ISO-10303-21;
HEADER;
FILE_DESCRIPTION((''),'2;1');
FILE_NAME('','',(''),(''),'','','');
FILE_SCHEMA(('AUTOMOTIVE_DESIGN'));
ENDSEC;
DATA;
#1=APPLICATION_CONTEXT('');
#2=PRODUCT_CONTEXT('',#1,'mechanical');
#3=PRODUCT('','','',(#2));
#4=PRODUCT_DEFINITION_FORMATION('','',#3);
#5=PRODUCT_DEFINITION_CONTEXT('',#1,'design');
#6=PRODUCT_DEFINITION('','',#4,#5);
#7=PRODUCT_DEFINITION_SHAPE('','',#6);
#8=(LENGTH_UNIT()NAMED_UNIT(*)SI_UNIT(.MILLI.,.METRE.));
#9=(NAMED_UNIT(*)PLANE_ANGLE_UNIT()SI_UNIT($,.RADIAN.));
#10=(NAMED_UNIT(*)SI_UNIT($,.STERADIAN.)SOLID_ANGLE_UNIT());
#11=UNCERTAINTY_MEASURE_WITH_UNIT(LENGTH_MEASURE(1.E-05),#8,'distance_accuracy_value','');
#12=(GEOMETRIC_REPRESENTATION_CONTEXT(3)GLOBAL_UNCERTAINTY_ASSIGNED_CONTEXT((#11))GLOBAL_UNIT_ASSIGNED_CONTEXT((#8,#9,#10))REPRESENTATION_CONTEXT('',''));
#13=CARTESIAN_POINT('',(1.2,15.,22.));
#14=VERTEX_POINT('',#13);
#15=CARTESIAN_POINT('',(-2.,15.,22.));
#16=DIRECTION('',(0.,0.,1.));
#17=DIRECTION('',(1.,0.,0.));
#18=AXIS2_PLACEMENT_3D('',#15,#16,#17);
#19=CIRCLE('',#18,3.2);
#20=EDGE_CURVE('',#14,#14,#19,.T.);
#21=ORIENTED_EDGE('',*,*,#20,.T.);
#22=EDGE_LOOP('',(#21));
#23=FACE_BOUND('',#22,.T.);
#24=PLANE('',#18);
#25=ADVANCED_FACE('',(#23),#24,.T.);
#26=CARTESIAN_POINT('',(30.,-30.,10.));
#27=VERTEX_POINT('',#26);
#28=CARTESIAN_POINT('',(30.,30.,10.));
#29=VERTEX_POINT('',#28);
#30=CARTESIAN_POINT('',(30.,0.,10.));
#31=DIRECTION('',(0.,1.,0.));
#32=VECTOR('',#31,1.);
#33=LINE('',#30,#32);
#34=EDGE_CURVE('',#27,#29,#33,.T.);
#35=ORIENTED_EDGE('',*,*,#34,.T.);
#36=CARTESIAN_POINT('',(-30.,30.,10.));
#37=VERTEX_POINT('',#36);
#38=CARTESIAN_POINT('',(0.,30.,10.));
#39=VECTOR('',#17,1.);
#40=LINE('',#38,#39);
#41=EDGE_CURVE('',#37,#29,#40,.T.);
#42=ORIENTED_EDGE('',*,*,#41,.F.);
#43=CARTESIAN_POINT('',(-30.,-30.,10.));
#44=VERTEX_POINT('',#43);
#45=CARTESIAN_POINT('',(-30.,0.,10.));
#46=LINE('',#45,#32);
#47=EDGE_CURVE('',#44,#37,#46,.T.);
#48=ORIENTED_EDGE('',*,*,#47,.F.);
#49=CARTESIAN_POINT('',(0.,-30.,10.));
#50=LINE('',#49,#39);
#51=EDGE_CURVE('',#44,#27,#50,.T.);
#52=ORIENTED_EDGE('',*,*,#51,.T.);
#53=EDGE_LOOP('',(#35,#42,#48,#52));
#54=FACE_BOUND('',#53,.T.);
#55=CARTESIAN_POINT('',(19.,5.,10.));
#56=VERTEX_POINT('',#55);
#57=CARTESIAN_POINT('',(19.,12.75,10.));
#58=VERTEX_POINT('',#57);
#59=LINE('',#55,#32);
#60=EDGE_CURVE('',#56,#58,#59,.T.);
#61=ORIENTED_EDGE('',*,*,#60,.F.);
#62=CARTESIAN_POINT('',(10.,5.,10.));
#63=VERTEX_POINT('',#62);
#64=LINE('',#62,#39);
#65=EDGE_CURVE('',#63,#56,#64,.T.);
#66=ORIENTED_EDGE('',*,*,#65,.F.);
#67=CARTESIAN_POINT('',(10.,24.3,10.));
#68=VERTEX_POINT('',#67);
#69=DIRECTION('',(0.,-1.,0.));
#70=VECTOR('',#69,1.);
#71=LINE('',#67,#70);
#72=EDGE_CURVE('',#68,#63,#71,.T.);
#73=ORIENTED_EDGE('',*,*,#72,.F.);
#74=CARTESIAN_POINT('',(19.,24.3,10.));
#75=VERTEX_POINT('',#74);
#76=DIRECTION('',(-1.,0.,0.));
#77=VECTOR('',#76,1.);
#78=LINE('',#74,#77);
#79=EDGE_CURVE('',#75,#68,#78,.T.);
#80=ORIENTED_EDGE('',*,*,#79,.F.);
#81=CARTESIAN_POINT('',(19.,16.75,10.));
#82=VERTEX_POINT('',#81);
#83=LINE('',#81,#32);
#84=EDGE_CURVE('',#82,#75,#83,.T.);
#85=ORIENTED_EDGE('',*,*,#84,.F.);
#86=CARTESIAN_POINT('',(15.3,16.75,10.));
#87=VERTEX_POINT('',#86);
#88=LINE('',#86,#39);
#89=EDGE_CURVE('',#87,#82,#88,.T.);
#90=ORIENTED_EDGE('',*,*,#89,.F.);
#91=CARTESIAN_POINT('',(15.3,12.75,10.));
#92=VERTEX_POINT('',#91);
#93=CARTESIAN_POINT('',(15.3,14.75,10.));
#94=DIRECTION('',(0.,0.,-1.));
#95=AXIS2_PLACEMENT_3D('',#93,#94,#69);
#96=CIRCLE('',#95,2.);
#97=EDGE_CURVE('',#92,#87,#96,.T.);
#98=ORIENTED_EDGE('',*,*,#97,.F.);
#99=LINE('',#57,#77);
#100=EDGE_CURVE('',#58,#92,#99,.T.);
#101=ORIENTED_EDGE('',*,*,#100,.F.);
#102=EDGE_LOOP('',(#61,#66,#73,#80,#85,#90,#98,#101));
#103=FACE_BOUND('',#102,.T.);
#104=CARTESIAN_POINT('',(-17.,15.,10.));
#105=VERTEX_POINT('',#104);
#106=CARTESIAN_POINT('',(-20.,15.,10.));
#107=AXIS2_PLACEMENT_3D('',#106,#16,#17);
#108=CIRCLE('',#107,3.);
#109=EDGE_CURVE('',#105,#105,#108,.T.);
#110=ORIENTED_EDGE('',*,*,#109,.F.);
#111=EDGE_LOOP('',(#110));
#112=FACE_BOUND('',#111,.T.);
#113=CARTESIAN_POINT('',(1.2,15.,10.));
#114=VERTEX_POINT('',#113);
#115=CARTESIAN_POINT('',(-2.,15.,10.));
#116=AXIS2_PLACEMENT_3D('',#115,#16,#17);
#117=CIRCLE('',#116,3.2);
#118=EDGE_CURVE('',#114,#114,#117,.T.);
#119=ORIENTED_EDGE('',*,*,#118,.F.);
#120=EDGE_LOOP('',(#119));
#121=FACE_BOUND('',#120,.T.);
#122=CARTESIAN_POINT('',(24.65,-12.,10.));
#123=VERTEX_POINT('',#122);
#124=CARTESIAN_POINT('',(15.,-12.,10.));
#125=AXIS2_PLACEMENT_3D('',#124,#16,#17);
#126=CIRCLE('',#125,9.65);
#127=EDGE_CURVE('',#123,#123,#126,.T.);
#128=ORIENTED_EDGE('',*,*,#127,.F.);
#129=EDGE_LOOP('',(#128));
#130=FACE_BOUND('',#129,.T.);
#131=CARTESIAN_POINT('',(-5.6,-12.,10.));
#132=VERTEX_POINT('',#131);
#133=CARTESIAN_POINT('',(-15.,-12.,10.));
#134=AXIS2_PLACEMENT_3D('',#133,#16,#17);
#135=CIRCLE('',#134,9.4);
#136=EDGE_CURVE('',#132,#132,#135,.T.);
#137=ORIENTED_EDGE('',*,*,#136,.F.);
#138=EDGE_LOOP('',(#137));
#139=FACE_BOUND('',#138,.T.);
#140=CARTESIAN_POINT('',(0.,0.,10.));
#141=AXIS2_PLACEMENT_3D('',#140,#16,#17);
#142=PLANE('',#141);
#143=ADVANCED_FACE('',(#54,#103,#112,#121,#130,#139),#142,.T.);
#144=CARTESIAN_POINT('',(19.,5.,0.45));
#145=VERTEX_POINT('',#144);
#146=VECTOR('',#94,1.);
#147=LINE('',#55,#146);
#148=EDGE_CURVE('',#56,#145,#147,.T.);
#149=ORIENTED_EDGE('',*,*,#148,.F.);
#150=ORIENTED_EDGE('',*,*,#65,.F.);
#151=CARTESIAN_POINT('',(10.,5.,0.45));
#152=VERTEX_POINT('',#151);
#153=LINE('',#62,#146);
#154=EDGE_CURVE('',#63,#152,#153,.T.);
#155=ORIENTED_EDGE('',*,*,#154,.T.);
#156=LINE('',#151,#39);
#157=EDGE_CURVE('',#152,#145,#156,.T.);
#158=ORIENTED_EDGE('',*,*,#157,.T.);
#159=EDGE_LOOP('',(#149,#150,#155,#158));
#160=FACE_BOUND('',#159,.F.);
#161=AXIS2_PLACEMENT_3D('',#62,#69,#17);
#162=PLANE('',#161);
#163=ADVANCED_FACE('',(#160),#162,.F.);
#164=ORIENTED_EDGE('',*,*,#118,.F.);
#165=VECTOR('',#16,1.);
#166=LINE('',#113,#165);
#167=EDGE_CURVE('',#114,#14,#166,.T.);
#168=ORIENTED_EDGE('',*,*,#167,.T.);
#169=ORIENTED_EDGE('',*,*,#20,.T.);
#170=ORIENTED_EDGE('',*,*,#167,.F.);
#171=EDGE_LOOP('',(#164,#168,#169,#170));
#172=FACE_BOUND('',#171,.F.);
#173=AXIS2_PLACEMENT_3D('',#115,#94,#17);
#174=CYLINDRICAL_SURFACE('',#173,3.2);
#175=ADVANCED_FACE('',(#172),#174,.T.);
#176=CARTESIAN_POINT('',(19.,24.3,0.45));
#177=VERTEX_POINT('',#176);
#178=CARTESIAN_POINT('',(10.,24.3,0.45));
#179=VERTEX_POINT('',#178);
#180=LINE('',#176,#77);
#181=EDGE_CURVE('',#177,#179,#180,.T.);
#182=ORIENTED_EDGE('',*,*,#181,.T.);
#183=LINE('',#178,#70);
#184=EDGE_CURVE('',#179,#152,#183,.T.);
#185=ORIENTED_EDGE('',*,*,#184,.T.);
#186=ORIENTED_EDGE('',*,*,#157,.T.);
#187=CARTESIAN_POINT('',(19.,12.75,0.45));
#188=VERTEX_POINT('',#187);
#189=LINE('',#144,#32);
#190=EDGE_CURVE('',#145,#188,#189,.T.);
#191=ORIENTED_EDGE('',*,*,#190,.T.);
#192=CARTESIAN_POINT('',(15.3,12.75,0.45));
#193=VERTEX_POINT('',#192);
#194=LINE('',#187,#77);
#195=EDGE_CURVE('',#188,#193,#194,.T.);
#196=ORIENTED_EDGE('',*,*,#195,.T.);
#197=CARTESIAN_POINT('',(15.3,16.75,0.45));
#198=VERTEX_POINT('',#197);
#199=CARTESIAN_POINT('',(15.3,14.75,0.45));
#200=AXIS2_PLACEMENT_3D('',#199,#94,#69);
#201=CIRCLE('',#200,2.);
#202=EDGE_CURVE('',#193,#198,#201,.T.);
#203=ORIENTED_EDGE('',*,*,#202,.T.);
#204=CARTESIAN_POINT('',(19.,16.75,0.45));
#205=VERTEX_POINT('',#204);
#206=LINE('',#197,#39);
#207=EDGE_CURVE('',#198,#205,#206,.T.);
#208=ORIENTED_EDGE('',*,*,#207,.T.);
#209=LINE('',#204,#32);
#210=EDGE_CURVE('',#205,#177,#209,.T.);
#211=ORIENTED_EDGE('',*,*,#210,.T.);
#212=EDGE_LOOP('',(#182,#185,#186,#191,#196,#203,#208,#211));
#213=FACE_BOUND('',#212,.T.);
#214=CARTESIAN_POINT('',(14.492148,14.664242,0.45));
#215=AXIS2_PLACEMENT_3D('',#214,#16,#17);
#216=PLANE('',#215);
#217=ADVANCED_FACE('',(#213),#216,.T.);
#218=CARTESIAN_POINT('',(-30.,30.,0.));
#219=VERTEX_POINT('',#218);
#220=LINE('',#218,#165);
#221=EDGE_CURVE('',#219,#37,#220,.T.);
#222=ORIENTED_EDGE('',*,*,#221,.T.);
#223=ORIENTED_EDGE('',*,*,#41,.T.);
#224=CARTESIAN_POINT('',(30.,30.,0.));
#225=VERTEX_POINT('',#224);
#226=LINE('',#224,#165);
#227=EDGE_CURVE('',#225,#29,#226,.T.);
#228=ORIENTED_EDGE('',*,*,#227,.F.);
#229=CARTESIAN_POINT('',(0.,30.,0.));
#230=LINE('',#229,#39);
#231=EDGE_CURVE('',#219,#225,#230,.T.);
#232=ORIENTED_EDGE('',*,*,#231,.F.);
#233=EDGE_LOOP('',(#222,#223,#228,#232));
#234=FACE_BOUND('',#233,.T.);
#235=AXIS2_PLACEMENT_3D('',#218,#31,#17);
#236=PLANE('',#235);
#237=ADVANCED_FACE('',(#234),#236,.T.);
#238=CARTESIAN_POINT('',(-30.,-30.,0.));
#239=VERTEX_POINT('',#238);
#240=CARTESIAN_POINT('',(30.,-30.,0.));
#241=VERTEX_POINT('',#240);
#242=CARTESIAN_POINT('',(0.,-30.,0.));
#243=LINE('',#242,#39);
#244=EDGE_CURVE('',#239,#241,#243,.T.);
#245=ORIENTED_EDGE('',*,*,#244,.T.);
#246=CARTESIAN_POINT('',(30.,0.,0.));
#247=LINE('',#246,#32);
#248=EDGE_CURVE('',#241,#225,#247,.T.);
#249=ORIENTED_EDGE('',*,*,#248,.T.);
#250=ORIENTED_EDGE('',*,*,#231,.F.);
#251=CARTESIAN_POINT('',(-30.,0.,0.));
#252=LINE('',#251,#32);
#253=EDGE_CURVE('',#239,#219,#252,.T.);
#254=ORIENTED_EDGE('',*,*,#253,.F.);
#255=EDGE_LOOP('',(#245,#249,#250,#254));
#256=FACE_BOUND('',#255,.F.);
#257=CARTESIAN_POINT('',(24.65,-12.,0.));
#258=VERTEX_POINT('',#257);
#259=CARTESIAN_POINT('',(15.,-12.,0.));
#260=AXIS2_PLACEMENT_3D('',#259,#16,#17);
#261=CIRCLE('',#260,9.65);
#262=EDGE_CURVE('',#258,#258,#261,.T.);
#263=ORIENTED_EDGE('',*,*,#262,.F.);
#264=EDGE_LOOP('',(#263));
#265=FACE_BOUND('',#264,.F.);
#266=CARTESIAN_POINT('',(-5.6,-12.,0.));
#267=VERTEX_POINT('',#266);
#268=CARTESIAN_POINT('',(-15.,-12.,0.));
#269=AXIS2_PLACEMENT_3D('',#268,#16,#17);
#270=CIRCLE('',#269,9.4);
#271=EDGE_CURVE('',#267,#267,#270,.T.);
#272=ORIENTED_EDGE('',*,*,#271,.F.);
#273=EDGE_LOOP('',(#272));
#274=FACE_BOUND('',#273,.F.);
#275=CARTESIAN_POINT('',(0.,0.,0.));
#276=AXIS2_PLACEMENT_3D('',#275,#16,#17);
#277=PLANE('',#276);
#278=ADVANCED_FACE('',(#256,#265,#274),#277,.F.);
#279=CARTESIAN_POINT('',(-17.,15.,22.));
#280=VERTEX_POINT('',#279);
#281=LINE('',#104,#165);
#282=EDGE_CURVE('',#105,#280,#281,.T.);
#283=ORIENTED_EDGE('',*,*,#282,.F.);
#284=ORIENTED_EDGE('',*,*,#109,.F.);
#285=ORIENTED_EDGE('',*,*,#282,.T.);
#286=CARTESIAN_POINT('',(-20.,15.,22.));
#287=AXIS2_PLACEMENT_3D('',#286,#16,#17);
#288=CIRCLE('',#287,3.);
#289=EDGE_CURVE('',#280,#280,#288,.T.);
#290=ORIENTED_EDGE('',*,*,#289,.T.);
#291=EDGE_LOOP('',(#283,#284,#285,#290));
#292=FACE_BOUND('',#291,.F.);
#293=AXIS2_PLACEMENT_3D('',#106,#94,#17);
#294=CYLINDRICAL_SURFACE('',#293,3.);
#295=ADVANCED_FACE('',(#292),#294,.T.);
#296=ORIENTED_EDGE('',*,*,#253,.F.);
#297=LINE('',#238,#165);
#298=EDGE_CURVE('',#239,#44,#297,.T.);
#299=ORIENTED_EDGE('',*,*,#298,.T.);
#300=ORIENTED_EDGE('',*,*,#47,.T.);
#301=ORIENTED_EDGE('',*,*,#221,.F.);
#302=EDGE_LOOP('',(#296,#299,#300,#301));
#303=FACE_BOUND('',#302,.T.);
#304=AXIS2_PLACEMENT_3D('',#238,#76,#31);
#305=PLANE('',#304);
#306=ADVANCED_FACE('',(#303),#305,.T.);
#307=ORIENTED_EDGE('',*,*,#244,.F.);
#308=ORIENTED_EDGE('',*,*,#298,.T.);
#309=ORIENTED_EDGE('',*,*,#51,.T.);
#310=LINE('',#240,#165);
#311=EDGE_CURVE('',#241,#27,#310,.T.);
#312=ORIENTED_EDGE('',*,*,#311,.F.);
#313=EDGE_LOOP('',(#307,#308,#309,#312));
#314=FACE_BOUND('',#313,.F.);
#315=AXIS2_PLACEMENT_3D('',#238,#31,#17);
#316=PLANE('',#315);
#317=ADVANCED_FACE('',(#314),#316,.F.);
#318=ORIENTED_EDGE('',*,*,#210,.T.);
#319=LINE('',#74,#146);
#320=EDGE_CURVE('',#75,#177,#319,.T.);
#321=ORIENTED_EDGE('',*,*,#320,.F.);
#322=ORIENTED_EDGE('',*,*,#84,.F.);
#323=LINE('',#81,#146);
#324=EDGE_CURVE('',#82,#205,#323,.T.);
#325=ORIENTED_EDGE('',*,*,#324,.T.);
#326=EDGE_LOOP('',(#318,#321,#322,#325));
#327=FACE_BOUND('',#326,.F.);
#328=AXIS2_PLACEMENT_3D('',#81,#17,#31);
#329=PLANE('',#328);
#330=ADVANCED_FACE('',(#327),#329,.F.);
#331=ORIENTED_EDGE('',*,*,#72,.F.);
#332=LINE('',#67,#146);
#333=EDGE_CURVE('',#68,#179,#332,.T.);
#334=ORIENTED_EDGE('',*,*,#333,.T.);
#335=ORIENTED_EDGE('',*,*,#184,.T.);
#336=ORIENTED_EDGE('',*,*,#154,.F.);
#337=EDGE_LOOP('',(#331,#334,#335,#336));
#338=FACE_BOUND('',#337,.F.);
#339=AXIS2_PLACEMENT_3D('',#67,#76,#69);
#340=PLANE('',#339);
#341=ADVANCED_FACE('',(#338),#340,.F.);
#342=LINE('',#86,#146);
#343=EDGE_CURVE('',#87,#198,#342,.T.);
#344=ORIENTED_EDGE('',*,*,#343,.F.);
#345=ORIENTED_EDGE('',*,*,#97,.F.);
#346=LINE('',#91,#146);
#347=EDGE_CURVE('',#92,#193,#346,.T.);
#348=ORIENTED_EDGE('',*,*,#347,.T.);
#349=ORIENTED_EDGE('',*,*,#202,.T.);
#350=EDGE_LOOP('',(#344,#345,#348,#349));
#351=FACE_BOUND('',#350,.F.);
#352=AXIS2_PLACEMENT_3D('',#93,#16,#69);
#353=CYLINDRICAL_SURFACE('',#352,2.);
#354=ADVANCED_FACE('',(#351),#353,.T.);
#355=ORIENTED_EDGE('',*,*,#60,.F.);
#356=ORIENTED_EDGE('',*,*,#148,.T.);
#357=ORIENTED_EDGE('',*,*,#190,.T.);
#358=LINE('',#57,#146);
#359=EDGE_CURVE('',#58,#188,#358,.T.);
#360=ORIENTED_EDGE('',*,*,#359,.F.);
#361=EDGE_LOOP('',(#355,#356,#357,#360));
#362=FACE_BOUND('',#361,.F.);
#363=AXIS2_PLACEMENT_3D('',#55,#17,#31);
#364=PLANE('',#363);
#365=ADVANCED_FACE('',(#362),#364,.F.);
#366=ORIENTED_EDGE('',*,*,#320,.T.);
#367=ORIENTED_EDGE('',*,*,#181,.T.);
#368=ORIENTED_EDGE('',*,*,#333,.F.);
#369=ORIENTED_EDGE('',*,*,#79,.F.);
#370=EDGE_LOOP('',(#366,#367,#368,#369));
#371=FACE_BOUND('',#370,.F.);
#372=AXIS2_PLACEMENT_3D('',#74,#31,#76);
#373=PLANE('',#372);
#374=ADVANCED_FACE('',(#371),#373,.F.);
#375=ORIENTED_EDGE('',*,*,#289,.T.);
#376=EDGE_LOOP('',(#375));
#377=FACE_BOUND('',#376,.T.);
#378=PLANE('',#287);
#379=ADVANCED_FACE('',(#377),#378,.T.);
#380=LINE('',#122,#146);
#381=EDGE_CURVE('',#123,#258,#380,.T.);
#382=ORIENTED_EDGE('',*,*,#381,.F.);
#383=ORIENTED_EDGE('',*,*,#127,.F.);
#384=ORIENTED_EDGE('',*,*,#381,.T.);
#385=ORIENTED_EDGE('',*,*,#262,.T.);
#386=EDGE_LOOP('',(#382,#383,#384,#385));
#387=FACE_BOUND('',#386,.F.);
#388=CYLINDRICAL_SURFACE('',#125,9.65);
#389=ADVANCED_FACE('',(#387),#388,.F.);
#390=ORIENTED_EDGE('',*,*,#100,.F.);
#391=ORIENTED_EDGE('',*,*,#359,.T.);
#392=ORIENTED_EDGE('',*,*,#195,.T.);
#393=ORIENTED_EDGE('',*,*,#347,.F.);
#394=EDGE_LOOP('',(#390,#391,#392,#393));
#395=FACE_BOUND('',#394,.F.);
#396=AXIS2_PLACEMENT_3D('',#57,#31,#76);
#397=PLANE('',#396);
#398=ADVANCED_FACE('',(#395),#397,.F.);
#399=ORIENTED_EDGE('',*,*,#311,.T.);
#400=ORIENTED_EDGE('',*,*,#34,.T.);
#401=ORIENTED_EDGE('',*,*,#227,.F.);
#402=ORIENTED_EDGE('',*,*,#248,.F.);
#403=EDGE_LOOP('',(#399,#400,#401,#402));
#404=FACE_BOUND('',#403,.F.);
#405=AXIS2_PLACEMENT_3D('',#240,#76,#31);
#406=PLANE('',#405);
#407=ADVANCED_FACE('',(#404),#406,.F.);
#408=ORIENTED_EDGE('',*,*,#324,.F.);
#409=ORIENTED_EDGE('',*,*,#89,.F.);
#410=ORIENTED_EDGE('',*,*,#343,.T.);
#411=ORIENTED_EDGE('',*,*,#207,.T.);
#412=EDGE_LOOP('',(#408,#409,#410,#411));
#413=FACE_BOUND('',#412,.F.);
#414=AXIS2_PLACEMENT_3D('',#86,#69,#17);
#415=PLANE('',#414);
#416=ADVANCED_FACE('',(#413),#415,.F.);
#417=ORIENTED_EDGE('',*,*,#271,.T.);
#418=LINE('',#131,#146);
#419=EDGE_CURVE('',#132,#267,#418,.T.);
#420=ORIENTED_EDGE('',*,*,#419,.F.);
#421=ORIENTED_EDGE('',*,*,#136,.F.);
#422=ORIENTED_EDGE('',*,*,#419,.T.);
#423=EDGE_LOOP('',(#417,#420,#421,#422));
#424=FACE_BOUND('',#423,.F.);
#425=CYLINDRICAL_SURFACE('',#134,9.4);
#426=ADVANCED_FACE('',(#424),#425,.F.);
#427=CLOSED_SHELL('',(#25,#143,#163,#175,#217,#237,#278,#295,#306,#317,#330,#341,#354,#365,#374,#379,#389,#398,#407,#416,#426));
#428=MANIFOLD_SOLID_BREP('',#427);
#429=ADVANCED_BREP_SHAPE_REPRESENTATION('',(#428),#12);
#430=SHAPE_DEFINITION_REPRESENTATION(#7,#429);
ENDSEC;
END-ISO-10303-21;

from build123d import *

# Parameters (mm, degrees)
F0_W     = 60
F0_H     = 60
F1_DEPTH = 10
F2_R     = 3
F2_R_2   = 3.2
F3_DEPTH = 12
F4_R     = 9.4
F4_R_2   = 9.65
F5_DEPTH = 10
F7_DEPTH = 9.55


with BuildPart() as f1:
    # F0 (on Top) → F1 (new body)
    with BuildSketch(Plane.XY):
        Rectangle(F0_W, F0_H)
    extrude(amount=F1_DEPTH)

    # F2 (on face) → F3 (join)
    with BuildSketch(Plane.XY.offset(10)):
        with Locations((-20, 15)):
            Circle(F2_R)
        with Locations((-2, 15)):
            Circle(F2_R_2)
    extrude(amount=F3_DEPTH)

    # F4 (on face) → F5 (cut, through all)
    with BuildSketch(Plane.XY.offset(10)):
        with Locations((-15, -12)):
            Circle(F4_R)
        with Locations((15, -12)):
            Circle(F4_R_2)
    extrude(amount=-F5_DEPTH, mode=Mode.SUBTRACT)

    # F6 (on face) → F7 (cut)
    with BuildSketch(Plane.XY.offset(10)):
        with BuildLine():
            Line((19, 24.3), (10, 24.3))
            Line((10, 24.3), (10, 5))
            Line((10, 5), (19, 5))
            Line((19, 5), (19, 12.75))
            Line((19, 12.75), (15.3, 12.75))
            ThreePointArc((15.3, 12.75), (13.3, 14.75), (15.3, 16.75))
            Line((15.3, 16.75), (19, 16.75))
            Line((19, 16.75), (19, 24.3))
        make_face()
    extrude(amount=-F7_DEPTH, mode=Mode.SUBTRACT)


solid = f1.part
